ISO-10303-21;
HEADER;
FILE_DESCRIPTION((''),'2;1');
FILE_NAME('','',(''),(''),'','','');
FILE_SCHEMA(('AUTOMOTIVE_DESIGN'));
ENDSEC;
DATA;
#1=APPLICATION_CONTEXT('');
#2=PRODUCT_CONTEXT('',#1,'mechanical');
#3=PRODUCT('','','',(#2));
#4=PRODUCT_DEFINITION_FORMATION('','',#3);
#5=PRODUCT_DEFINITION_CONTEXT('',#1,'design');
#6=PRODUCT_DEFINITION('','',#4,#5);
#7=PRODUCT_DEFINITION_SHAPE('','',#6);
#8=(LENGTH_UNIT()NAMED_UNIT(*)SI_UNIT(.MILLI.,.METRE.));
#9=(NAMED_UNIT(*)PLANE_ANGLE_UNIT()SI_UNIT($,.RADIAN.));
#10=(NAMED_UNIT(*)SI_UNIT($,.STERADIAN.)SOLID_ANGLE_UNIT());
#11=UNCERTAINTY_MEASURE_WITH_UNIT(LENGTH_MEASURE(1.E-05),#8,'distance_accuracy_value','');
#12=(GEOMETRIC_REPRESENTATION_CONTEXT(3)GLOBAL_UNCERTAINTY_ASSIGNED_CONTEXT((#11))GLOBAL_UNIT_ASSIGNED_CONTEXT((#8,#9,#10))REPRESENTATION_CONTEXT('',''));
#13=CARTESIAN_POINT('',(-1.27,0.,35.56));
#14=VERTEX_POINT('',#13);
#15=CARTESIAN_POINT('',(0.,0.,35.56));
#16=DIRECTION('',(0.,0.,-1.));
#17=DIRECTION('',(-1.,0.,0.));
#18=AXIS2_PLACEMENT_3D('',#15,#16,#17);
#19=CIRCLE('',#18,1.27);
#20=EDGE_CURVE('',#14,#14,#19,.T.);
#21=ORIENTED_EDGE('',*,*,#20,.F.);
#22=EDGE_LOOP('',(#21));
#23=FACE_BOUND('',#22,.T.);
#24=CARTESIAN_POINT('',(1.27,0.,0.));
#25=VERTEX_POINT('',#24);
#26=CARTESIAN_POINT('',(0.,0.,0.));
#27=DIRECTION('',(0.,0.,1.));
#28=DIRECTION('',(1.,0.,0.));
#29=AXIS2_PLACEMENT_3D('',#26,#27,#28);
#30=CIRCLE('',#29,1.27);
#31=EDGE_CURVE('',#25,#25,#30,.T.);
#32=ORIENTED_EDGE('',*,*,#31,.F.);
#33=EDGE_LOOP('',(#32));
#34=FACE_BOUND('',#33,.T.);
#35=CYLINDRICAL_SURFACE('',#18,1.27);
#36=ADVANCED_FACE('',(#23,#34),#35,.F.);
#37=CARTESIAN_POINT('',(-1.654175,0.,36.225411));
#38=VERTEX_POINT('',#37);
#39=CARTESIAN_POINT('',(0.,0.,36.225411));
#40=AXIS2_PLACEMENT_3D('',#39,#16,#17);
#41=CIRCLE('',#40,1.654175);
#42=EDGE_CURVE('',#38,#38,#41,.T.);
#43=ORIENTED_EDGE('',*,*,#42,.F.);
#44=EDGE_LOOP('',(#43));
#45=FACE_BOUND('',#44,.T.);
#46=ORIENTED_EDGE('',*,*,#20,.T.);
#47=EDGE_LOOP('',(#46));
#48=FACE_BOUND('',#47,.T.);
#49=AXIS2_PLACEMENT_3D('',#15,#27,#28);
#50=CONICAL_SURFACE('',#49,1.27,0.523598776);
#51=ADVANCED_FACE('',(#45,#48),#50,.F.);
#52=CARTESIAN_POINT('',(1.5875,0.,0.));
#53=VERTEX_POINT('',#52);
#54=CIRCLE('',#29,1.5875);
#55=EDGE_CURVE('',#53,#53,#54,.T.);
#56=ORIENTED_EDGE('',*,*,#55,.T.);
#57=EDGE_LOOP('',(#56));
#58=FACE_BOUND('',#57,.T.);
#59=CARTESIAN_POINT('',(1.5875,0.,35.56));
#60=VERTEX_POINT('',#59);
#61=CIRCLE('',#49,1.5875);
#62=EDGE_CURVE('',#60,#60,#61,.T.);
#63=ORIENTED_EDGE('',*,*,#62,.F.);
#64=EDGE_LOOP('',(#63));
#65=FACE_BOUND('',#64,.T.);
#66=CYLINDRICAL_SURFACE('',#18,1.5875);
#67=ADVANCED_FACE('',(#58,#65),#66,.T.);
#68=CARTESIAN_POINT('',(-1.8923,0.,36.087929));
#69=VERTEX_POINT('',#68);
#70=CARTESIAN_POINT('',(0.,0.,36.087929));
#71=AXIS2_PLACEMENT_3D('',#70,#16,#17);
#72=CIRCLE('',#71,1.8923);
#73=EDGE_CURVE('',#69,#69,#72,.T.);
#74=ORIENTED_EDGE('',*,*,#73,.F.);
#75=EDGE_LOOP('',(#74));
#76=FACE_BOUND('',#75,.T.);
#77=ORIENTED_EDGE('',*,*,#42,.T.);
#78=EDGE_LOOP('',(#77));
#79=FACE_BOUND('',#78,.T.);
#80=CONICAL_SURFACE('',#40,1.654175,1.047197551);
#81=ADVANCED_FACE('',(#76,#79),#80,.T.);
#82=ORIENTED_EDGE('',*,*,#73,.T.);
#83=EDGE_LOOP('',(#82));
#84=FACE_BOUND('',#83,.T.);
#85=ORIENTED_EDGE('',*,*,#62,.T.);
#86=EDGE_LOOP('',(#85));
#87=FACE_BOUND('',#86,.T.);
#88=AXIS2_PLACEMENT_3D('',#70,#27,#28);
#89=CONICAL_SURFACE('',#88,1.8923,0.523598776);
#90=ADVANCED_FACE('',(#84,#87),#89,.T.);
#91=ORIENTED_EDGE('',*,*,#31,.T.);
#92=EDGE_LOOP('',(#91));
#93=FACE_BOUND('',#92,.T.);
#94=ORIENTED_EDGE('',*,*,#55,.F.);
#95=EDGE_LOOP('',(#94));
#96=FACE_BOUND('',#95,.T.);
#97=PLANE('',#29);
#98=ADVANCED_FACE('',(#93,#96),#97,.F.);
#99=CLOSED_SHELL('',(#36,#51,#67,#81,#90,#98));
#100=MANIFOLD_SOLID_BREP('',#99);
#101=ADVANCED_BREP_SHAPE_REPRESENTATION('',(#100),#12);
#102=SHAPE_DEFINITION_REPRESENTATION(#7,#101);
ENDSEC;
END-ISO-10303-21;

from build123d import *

# Parameters (mm, degrees)
SKETCH1_R           = 1.5875
SKETCH1_R_2         = 1.27
BOSS_EXTRUDE1_DEPTH = 35.56


with BuildPart() as part:
    # Sketch1 → Boss-Extrude1 (new body)
    with BuildSketch(Plane.XY):
        Circle(SKETCH1_R)
        Circle(SKETCH1_R_2, mode=Mode.SUBTRACT)
    extrude(amount=BOSS_EXTRUDE1_DEPTH)

    # Sketch2 → Revolve1 (revolve)
    with BuildSketch(Plane(origin=(0, 0, 0), x_dir=(1, 0, 0), z_dir=(0, 1, 0)), mode=Mode.PRIVATE) as revolve1_sk:
        Polygon((1.5875, -35.56), (1.8923, -36.087929086), (1.654175, -36.225410619), (1.27, -35.56), align=None)
    revolve(revolve1_sk.sketch.rotate(Axis((0, 0, 35.56), (0, 0, 1)), 180), axis=Axis((0, 0, 35.56), (0, 0, 1)))


solid = part.part
